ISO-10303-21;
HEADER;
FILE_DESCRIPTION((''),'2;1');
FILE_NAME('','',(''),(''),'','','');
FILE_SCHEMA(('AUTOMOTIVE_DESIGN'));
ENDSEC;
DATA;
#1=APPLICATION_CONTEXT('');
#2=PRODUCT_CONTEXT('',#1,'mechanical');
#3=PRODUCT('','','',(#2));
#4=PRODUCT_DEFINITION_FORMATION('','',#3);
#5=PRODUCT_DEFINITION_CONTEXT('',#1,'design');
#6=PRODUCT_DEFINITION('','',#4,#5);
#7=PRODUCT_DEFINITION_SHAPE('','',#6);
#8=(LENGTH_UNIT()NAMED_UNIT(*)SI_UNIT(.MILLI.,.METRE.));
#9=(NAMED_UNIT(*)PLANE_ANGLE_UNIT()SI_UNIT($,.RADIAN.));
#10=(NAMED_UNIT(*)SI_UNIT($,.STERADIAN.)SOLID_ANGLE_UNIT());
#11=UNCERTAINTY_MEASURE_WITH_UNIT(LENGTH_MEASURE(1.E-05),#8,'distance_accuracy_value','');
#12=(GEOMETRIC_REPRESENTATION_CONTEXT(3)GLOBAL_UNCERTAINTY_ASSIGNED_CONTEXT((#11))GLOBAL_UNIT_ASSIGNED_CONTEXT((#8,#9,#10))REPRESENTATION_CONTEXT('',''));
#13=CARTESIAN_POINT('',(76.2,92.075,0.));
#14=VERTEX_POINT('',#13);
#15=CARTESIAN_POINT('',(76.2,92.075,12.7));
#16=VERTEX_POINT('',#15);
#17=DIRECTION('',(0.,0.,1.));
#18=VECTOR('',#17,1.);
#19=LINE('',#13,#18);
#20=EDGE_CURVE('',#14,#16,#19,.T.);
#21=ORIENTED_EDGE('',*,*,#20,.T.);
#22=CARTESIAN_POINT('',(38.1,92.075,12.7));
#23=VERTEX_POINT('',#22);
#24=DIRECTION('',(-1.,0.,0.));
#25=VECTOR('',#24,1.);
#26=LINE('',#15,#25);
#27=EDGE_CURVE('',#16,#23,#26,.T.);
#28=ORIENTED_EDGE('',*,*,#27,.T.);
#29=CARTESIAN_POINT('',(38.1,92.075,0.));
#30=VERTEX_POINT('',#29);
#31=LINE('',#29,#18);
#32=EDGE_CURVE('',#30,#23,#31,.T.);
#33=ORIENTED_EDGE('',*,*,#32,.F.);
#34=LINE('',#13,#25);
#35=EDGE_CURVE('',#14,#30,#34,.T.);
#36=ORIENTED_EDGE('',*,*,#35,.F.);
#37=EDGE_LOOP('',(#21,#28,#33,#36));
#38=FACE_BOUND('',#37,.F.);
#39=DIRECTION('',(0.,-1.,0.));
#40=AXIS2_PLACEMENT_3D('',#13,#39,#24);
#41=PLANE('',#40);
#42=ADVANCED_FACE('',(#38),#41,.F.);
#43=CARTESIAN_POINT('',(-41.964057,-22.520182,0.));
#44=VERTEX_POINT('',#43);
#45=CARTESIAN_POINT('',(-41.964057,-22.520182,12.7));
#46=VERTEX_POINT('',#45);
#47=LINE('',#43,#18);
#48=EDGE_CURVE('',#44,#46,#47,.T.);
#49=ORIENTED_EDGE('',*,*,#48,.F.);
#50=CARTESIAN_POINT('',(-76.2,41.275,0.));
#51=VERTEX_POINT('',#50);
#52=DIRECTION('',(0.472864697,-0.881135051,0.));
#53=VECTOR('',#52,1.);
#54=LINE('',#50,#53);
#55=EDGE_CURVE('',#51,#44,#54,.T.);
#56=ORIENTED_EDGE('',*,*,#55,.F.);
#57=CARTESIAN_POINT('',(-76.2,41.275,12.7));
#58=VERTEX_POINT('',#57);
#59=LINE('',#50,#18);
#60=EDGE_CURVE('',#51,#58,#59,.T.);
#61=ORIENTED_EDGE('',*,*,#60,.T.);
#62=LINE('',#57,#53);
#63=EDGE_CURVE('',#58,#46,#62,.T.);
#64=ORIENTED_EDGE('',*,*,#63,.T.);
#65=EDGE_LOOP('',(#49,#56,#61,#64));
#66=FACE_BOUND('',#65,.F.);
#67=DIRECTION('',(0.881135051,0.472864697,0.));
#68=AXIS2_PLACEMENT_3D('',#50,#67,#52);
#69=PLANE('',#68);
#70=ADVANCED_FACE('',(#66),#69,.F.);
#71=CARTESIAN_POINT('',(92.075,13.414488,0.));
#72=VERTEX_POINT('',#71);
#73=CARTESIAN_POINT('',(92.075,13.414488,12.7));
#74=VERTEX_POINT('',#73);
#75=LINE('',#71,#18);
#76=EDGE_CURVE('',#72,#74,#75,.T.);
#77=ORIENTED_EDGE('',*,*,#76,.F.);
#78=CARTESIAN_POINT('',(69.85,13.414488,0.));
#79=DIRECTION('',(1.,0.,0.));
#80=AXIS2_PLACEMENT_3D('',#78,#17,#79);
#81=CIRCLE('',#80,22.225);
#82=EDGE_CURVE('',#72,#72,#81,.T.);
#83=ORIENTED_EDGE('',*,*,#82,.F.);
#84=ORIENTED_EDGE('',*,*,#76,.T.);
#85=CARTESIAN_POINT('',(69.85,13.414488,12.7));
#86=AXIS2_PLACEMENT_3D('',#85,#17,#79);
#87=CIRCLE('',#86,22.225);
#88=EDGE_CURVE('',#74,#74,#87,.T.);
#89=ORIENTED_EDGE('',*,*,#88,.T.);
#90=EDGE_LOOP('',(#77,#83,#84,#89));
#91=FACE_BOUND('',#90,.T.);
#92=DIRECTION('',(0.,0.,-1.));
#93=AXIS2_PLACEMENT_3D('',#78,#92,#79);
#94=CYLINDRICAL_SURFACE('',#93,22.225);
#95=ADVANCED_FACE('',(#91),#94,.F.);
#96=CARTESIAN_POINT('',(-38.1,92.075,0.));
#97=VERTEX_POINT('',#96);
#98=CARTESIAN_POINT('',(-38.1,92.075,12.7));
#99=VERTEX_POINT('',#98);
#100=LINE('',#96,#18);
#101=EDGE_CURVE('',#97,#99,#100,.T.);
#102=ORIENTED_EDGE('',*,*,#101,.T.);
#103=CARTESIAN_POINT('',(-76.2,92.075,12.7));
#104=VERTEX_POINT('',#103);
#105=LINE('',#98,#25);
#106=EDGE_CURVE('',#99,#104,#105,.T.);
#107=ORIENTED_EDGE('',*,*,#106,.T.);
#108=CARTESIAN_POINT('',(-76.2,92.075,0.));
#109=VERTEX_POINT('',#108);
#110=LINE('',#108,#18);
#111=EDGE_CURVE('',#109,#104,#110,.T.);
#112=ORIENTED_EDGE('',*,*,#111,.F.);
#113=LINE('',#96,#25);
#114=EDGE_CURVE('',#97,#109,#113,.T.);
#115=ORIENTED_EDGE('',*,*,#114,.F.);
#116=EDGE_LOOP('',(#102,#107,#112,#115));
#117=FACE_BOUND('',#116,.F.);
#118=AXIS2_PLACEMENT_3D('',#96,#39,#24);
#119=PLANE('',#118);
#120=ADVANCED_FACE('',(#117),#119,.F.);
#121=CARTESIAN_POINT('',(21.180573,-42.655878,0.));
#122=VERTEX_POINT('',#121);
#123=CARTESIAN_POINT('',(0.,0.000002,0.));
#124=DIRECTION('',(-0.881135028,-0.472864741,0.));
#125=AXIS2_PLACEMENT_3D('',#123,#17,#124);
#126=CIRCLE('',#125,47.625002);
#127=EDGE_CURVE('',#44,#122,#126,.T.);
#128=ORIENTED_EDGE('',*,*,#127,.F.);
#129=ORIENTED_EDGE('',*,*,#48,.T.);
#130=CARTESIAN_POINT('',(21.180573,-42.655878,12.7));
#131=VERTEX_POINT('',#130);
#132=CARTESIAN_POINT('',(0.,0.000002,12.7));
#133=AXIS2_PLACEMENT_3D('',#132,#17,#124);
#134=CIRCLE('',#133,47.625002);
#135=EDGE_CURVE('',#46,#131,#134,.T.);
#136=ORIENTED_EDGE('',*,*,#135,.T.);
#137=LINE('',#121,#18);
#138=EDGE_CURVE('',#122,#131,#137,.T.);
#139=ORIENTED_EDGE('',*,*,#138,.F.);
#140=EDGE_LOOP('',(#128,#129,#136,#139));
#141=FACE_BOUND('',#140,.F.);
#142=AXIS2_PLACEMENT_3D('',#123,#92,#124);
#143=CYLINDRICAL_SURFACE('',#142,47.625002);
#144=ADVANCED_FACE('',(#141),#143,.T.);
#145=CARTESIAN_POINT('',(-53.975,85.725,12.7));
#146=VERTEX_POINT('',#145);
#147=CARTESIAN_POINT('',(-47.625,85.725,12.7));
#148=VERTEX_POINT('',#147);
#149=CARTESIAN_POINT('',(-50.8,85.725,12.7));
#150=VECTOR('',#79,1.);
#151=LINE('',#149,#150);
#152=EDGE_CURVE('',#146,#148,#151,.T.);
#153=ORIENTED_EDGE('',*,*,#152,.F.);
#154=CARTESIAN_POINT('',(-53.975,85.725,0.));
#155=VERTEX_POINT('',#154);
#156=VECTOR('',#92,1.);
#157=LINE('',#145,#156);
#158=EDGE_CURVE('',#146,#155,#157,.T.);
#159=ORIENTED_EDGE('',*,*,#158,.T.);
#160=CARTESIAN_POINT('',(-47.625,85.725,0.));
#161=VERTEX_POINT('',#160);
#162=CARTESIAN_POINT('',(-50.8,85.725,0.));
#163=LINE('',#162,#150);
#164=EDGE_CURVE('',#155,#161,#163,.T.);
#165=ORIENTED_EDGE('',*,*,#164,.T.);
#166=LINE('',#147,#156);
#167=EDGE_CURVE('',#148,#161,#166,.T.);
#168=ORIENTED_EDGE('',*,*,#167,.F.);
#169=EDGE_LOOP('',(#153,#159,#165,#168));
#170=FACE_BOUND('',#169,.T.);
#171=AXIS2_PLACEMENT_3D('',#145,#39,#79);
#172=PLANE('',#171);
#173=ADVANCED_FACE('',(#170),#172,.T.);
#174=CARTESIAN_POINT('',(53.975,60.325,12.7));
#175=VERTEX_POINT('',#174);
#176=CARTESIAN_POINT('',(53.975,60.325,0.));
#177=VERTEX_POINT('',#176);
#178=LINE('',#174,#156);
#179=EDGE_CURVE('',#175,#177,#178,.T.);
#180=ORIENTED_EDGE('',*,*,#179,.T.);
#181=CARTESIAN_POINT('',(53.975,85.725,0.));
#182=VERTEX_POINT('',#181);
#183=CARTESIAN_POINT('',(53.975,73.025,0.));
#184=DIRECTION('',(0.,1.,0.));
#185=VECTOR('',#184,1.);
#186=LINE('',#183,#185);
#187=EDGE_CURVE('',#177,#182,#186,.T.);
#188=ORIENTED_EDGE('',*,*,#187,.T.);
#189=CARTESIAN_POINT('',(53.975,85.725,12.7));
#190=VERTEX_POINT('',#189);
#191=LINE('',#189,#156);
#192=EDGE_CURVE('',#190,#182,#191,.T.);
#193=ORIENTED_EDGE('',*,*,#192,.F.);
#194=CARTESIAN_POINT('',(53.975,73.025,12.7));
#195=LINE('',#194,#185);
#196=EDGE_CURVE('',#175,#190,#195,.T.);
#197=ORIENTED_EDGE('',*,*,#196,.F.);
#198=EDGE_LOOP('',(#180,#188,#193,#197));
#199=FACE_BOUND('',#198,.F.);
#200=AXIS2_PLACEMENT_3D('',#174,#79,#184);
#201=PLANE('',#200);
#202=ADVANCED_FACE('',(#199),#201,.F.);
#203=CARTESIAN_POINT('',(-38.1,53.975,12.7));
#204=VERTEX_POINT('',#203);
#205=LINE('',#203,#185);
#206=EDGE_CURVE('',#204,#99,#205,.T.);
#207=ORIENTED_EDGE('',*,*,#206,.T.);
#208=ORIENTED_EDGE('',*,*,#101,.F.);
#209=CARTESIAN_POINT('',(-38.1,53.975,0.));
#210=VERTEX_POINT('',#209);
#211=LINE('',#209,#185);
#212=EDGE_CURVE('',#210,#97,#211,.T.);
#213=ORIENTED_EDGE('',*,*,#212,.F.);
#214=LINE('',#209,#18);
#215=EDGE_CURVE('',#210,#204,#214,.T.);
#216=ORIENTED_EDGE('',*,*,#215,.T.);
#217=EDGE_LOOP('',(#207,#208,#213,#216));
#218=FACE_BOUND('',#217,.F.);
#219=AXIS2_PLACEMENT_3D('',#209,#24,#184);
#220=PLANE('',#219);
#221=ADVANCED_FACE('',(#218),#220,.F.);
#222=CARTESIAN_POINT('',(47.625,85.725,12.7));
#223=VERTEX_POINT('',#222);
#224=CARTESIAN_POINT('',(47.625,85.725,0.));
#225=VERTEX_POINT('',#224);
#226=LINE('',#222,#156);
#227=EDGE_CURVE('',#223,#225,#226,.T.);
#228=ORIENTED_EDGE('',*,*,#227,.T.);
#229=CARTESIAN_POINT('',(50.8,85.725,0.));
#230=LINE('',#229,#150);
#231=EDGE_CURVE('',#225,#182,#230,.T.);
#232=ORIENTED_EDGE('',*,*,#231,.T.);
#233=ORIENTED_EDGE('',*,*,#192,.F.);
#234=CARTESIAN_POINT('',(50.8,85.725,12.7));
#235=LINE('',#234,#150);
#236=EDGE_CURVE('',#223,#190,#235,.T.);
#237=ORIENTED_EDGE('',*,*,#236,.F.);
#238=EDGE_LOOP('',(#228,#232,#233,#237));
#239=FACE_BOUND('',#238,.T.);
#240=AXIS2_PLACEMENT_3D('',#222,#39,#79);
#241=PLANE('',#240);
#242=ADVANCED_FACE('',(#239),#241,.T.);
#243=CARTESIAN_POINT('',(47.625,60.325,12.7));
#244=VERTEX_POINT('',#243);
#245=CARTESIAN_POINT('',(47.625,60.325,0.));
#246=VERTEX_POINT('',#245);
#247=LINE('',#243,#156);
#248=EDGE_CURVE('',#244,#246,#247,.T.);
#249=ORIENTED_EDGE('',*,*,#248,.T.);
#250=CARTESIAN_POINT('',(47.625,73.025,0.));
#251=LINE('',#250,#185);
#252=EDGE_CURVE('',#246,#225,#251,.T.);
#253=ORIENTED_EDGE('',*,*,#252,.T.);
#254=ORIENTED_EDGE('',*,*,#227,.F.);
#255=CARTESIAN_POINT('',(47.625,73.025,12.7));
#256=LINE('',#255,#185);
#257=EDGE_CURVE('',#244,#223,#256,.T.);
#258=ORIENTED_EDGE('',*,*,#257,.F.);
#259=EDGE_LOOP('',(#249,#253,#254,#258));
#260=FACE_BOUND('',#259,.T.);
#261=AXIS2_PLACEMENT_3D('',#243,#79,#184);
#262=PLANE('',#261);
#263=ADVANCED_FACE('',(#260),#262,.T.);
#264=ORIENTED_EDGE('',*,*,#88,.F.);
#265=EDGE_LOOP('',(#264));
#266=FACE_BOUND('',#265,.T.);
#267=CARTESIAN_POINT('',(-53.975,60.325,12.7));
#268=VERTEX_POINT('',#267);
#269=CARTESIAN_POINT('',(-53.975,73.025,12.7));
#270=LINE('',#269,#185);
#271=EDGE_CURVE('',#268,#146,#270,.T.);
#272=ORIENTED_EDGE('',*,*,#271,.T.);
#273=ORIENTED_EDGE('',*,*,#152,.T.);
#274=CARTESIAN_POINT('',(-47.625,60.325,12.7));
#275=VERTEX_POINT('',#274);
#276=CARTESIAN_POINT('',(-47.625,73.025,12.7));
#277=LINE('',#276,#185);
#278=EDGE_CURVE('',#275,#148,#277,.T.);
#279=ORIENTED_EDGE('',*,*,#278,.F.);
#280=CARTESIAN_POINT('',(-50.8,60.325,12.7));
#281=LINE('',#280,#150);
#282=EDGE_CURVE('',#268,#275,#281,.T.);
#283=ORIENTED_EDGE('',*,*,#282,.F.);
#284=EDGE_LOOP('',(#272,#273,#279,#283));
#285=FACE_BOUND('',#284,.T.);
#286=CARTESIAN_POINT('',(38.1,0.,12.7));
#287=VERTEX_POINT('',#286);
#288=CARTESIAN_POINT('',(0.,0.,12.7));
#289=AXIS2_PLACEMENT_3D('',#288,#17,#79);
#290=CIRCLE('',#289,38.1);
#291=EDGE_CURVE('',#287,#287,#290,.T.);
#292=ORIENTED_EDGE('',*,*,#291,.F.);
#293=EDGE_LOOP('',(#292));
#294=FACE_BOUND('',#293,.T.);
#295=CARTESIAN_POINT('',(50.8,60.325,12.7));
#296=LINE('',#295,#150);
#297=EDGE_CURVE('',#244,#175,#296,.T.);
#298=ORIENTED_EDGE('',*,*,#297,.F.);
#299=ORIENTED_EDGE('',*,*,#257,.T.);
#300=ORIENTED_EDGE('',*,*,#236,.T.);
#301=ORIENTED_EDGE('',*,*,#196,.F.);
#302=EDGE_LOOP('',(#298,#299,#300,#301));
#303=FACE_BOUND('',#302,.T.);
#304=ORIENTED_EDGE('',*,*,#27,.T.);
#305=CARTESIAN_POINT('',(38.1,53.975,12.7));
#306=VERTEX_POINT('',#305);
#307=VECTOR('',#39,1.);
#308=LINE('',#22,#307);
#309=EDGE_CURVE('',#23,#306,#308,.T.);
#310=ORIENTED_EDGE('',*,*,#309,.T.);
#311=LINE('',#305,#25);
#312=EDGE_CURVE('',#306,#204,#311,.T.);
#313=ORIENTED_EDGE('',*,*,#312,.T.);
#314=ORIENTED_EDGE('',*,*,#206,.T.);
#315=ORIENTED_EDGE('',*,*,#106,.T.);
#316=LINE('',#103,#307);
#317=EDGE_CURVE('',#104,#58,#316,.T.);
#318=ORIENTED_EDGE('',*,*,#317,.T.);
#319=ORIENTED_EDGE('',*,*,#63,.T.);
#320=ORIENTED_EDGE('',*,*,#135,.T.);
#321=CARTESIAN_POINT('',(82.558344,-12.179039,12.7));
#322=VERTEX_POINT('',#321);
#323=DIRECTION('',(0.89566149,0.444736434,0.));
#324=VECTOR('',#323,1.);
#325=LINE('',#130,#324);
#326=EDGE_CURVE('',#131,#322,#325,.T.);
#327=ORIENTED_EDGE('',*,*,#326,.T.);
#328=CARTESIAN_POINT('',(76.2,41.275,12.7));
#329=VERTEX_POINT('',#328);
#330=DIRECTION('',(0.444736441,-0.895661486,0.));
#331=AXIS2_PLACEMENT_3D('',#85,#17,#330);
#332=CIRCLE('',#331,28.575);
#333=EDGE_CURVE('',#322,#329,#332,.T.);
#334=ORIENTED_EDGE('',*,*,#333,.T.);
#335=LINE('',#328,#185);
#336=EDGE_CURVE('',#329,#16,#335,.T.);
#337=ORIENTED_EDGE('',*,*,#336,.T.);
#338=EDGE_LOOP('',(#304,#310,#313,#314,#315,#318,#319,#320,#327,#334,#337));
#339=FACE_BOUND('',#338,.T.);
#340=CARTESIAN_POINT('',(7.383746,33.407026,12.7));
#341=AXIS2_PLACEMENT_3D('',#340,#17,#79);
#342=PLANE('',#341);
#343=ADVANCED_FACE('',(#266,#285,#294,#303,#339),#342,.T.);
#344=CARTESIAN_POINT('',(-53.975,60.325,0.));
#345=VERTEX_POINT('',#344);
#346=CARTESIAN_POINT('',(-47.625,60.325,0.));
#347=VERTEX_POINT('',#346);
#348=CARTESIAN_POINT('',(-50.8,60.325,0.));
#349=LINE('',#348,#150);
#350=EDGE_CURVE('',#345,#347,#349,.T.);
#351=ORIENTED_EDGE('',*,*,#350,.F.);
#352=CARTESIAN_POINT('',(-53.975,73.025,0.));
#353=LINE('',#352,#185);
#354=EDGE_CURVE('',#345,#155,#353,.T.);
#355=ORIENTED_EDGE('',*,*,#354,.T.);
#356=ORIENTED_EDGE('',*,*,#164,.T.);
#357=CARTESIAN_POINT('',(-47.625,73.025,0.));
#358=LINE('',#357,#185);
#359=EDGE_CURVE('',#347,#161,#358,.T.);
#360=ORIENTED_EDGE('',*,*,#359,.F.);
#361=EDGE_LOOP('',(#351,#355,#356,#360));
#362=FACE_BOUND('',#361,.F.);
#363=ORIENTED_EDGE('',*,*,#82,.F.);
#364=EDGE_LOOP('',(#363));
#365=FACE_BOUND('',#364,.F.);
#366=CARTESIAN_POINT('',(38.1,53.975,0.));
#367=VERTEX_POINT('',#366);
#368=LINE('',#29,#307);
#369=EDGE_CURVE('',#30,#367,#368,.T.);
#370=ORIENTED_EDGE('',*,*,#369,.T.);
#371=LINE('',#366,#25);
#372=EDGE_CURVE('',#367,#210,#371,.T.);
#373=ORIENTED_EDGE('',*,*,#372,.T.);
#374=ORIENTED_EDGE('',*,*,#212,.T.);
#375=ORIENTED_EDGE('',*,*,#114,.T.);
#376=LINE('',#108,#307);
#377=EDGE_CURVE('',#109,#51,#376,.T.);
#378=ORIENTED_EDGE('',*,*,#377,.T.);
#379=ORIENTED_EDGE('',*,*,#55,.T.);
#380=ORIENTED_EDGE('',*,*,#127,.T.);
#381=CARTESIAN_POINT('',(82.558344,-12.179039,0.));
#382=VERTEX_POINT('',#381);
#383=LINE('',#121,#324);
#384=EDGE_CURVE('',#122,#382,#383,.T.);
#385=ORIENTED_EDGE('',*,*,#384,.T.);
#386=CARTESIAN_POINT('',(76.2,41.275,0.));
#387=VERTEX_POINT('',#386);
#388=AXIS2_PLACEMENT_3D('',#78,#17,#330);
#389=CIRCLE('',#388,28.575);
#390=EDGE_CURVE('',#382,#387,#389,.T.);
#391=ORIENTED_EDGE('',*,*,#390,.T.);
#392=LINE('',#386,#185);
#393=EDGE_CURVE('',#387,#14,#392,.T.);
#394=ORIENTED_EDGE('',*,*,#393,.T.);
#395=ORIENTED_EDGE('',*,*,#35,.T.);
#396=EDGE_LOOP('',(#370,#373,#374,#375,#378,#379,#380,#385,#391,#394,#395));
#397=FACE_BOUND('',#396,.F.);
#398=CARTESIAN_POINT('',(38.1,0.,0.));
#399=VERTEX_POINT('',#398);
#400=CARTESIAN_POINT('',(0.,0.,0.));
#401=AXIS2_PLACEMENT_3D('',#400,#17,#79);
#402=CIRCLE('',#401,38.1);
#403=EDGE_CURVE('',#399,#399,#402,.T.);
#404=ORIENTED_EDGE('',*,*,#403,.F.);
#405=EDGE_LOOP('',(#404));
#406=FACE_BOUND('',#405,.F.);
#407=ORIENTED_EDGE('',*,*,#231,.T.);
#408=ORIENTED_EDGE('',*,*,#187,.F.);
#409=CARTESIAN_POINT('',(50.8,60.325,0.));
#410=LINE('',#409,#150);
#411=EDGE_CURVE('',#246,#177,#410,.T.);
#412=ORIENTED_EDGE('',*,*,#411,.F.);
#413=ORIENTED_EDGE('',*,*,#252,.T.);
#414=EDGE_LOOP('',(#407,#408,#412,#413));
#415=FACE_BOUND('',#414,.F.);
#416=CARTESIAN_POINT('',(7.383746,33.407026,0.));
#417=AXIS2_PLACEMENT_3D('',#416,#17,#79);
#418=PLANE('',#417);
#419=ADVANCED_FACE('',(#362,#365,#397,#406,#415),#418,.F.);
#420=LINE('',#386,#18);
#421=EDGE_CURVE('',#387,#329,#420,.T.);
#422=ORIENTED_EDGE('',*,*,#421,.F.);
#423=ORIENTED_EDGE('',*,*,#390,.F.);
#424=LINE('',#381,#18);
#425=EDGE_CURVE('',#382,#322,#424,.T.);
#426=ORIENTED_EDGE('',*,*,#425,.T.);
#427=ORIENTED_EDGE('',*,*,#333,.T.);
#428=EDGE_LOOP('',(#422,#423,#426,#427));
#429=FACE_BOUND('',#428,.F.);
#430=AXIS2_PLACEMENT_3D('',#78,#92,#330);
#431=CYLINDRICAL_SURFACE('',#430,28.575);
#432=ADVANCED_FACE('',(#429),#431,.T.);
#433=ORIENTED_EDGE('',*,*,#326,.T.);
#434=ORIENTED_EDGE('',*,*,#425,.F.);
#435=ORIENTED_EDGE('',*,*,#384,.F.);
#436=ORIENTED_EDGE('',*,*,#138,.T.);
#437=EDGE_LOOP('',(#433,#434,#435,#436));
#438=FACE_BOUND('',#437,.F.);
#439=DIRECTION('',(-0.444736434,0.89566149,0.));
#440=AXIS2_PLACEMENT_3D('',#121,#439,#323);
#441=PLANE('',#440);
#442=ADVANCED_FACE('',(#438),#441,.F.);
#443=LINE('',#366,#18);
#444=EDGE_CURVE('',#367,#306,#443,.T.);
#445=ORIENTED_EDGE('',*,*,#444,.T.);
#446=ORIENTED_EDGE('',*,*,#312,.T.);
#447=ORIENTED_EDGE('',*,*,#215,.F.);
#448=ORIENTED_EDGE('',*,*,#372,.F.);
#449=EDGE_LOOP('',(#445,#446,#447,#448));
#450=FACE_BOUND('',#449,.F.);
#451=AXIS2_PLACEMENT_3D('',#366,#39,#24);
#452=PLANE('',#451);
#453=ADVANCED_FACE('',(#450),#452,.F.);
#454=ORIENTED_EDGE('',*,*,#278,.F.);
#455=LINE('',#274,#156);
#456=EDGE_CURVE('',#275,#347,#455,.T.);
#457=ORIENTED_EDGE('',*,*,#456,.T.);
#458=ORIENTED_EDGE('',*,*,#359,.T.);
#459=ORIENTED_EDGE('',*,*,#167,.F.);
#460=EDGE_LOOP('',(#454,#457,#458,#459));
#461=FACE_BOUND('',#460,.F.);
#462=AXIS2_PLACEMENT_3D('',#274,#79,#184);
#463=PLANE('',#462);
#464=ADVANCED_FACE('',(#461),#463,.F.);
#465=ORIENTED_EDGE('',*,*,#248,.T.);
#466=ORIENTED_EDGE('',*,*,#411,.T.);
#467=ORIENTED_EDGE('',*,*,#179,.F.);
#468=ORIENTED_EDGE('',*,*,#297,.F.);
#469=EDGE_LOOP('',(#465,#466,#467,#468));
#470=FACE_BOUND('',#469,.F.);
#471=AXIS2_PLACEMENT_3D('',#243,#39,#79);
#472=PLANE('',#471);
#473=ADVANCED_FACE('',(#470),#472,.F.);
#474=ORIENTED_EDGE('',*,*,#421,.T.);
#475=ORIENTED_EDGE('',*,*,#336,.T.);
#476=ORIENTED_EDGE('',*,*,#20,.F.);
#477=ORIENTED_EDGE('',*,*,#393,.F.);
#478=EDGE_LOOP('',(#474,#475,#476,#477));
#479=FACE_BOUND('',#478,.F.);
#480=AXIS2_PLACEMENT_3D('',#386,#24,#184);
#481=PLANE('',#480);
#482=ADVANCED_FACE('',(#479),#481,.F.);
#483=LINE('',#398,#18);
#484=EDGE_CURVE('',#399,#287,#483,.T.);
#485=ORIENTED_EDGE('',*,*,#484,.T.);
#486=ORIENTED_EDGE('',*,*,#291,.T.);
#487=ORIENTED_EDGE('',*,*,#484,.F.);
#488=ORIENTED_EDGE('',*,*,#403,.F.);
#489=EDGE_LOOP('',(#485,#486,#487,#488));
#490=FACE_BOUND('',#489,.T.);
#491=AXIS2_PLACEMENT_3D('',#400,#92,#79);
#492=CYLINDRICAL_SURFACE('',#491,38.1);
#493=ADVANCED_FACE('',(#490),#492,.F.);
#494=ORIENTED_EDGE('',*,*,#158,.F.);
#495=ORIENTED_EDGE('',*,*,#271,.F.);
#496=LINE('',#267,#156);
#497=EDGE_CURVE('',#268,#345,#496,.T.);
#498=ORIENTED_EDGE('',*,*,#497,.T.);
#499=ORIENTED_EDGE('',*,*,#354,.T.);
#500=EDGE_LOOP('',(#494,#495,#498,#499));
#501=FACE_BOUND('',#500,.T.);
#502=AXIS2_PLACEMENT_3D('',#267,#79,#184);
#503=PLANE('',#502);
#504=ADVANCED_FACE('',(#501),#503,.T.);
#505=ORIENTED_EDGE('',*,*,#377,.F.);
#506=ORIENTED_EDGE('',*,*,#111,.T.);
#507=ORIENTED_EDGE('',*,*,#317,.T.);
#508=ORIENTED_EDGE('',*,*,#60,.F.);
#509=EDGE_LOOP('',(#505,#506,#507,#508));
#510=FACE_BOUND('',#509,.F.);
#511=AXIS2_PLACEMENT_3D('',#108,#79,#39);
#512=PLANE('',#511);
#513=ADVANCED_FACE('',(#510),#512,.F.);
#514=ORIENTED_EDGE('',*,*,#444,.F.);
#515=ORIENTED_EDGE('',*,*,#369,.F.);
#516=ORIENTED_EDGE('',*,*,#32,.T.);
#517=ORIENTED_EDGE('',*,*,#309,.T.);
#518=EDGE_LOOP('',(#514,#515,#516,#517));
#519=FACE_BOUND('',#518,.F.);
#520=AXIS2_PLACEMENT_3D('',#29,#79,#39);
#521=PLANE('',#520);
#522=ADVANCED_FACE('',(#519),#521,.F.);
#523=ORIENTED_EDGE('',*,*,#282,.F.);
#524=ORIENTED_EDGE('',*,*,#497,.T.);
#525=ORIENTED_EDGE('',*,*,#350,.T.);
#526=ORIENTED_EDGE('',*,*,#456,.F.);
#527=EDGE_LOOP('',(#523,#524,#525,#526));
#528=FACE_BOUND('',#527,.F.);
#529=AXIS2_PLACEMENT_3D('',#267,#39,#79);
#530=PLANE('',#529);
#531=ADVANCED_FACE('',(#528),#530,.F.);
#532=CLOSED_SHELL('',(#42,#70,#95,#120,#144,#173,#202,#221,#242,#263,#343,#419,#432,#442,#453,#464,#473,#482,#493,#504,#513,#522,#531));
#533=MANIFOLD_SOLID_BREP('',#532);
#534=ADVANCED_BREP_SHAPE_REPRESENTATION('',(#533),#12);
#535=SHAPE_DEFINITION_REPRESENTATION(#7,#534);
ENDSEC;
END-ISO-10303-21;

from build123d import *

# Parameters (mm, degrees)
F0_R     = 38.1
F0_R_2   = 22.225
F1_DEPTH = 12.7
F4_W     = 6.35
F4_H     = 25.4
F5_DEPTH = 12.7
F6_W     = 6.35
F6_H     = 25.4
F7_DEPTH = 12.7


with BuildPart() as f1:
    # F0 (on Top) → F1 (new body)
    with BuildSketch(Plane.XY):
        with BuildLine():
            Line((-76.2, 41.275), (-41.964057, -22.520182))
            ThreePointArc((-41.964057, -22.520182), (-14.468928, -45.373899), (21.180573, -42.655878))
            Line((21.180573, -42.655878), (82.558344, -12.179039))
            ThreePointArc((82.558344, -12.179039), (98.224966, 16.789683), (76.2, 41.275))
            Line((76.2, 41.275), (76.2, 92.075))
            Line((76.2, 92.075), (38.1, 92.075))
            Line((38.1, 92.075), (38.1, 53.975))
            Line((38.1, 53.975), (-38.1, 53.975))
            Line((-38.1, 53.975), (-38.1, 92.075))
            Line((-38.1, 92.075), (-76.2, 92.075))
            Line((-76.2, 92.075), (-76.2, 41.275))
        make_face()
        Circle(F0_R, mode=Mode.SUBTRACT)
        with Locations((69.85, 13.414488)):
            Circle(F0_R_2, mode=Mode.SUBTRACT)
    extrude(amount=F1_DEPTH)

    # F4 (on face) → F5 (cut, through all)
    with BuildSketch(Plane.XY.offset(12.7)):
        with Locations((-50.8, 73.025)):
            Rectangle(F4_W, F4_H)
    extrude(amount=-F5_DEPTH, mode=Mode.SUBTRACT)

    # F6 (on face) → F7 (cut, through all)
    with BuildSketch(Plane.XY.offset(12.7)):
        with Locations((50.8, 73.025)):
            Rectangle(F6_W, F6_H)
    extrude(amount=-F7_DEPTH, mode=Mode.SUBTRACT)


solid = f1.part
